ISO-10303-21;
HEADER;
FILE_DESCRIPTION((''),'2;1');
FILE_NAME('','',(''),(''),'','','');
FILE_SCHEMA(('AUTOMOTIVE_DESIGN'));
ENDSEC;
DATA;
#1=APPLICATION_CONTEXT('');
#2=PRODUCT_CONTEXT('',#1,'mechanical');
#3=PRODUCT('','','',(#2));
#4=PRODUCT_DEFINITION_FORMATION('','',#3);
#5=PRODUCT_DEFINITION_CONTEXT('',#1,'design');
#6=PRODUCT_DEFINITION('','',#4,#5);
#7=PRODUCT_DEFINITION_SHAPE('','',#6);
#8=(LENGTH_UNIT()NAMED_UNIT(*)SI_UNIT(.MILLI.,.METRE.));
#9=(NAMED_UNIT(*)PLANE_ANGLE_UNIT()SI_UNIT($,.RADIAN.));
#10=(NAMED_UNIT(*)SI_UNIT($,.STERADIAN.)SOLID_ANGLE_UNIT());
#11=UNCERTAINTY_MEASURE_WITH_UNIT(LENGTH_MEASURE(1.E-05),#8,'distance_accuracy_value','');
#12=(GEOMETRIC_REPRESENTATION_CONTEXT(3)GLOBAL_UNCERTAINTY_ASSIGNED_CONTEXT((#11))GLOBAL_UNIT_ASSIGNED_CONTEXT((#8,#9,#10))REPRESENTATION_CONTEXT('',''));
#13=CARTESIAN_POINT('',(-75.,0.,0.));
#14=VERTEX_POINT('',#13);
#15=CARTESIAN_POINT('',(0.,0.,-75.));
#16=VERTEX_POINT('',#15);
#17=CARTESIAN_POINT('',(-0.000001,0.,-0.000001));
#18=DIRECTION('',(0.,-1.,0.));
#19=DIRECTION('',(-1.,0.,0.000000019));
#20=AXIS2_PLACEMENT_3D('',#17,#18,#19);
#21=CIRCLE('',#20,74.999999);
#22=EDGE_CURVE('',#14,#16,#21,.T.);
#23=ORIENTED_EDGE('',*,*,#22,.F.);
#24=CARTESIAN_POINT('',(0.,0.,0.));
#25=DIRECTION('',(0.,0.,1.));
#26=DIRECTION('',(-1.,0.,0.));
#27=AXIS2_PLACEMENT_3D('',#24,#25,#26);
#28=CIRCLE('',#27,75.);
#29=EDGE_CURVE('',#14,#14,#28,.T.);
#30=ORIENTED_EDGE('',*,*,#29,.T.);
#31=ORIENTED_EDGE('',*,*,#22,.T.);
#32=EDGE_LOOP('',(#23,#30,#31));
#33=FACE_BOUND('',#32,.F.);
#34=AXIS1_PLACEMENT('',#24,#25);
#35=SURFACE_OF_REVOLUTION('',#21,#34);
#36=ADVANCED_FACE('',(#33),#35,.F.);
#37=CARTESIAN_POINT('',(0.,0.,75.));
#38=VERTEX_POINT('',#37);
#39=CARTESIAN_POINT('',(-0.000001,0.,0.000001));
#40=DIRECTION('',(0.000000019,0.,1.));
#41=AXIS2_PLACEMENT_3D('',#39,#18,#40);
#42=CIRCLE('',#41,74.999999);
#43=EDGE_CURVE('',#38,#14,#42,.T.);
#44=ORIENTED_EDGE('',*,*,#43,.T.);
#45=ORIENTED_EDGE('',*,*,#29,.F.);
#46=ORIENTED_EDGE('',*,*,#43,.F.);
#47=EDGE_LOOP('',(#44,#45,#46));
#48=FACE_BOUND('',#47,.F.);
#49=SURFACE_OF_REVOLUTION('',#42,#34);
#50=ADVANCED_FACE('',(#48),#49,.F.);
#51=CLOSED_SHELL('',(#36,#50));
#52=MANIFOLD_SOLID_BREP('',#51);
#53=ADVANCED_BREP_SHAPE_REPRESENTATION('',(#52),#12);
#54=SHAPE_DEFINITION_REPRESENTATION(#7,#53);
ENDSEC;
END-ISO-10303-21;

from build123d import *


with BuildPart() as f1:
    # F0 (on Front) → F1 (revolve)
    with BuildSketch(Plane.XZ):
        with BuildLine():
            ThreePointArc((-75, 0), (-53.033009, -53.033009), (0, -75))
            Line((0, -75), (0, 0))
            Line((0, 0), (-75, 0))
        make_face()
        with BuildLine():
            Line((-75, 0), (0, 0))
            Line((0, 0), (0, 75))
            ThreePointArc((0, 75), (-53.033009, 53.033009), (-75, 0))
        make_face()
    revolve(axis=Axis((0, 0, 0), (0, 0, 1)))


solid = f1.part
